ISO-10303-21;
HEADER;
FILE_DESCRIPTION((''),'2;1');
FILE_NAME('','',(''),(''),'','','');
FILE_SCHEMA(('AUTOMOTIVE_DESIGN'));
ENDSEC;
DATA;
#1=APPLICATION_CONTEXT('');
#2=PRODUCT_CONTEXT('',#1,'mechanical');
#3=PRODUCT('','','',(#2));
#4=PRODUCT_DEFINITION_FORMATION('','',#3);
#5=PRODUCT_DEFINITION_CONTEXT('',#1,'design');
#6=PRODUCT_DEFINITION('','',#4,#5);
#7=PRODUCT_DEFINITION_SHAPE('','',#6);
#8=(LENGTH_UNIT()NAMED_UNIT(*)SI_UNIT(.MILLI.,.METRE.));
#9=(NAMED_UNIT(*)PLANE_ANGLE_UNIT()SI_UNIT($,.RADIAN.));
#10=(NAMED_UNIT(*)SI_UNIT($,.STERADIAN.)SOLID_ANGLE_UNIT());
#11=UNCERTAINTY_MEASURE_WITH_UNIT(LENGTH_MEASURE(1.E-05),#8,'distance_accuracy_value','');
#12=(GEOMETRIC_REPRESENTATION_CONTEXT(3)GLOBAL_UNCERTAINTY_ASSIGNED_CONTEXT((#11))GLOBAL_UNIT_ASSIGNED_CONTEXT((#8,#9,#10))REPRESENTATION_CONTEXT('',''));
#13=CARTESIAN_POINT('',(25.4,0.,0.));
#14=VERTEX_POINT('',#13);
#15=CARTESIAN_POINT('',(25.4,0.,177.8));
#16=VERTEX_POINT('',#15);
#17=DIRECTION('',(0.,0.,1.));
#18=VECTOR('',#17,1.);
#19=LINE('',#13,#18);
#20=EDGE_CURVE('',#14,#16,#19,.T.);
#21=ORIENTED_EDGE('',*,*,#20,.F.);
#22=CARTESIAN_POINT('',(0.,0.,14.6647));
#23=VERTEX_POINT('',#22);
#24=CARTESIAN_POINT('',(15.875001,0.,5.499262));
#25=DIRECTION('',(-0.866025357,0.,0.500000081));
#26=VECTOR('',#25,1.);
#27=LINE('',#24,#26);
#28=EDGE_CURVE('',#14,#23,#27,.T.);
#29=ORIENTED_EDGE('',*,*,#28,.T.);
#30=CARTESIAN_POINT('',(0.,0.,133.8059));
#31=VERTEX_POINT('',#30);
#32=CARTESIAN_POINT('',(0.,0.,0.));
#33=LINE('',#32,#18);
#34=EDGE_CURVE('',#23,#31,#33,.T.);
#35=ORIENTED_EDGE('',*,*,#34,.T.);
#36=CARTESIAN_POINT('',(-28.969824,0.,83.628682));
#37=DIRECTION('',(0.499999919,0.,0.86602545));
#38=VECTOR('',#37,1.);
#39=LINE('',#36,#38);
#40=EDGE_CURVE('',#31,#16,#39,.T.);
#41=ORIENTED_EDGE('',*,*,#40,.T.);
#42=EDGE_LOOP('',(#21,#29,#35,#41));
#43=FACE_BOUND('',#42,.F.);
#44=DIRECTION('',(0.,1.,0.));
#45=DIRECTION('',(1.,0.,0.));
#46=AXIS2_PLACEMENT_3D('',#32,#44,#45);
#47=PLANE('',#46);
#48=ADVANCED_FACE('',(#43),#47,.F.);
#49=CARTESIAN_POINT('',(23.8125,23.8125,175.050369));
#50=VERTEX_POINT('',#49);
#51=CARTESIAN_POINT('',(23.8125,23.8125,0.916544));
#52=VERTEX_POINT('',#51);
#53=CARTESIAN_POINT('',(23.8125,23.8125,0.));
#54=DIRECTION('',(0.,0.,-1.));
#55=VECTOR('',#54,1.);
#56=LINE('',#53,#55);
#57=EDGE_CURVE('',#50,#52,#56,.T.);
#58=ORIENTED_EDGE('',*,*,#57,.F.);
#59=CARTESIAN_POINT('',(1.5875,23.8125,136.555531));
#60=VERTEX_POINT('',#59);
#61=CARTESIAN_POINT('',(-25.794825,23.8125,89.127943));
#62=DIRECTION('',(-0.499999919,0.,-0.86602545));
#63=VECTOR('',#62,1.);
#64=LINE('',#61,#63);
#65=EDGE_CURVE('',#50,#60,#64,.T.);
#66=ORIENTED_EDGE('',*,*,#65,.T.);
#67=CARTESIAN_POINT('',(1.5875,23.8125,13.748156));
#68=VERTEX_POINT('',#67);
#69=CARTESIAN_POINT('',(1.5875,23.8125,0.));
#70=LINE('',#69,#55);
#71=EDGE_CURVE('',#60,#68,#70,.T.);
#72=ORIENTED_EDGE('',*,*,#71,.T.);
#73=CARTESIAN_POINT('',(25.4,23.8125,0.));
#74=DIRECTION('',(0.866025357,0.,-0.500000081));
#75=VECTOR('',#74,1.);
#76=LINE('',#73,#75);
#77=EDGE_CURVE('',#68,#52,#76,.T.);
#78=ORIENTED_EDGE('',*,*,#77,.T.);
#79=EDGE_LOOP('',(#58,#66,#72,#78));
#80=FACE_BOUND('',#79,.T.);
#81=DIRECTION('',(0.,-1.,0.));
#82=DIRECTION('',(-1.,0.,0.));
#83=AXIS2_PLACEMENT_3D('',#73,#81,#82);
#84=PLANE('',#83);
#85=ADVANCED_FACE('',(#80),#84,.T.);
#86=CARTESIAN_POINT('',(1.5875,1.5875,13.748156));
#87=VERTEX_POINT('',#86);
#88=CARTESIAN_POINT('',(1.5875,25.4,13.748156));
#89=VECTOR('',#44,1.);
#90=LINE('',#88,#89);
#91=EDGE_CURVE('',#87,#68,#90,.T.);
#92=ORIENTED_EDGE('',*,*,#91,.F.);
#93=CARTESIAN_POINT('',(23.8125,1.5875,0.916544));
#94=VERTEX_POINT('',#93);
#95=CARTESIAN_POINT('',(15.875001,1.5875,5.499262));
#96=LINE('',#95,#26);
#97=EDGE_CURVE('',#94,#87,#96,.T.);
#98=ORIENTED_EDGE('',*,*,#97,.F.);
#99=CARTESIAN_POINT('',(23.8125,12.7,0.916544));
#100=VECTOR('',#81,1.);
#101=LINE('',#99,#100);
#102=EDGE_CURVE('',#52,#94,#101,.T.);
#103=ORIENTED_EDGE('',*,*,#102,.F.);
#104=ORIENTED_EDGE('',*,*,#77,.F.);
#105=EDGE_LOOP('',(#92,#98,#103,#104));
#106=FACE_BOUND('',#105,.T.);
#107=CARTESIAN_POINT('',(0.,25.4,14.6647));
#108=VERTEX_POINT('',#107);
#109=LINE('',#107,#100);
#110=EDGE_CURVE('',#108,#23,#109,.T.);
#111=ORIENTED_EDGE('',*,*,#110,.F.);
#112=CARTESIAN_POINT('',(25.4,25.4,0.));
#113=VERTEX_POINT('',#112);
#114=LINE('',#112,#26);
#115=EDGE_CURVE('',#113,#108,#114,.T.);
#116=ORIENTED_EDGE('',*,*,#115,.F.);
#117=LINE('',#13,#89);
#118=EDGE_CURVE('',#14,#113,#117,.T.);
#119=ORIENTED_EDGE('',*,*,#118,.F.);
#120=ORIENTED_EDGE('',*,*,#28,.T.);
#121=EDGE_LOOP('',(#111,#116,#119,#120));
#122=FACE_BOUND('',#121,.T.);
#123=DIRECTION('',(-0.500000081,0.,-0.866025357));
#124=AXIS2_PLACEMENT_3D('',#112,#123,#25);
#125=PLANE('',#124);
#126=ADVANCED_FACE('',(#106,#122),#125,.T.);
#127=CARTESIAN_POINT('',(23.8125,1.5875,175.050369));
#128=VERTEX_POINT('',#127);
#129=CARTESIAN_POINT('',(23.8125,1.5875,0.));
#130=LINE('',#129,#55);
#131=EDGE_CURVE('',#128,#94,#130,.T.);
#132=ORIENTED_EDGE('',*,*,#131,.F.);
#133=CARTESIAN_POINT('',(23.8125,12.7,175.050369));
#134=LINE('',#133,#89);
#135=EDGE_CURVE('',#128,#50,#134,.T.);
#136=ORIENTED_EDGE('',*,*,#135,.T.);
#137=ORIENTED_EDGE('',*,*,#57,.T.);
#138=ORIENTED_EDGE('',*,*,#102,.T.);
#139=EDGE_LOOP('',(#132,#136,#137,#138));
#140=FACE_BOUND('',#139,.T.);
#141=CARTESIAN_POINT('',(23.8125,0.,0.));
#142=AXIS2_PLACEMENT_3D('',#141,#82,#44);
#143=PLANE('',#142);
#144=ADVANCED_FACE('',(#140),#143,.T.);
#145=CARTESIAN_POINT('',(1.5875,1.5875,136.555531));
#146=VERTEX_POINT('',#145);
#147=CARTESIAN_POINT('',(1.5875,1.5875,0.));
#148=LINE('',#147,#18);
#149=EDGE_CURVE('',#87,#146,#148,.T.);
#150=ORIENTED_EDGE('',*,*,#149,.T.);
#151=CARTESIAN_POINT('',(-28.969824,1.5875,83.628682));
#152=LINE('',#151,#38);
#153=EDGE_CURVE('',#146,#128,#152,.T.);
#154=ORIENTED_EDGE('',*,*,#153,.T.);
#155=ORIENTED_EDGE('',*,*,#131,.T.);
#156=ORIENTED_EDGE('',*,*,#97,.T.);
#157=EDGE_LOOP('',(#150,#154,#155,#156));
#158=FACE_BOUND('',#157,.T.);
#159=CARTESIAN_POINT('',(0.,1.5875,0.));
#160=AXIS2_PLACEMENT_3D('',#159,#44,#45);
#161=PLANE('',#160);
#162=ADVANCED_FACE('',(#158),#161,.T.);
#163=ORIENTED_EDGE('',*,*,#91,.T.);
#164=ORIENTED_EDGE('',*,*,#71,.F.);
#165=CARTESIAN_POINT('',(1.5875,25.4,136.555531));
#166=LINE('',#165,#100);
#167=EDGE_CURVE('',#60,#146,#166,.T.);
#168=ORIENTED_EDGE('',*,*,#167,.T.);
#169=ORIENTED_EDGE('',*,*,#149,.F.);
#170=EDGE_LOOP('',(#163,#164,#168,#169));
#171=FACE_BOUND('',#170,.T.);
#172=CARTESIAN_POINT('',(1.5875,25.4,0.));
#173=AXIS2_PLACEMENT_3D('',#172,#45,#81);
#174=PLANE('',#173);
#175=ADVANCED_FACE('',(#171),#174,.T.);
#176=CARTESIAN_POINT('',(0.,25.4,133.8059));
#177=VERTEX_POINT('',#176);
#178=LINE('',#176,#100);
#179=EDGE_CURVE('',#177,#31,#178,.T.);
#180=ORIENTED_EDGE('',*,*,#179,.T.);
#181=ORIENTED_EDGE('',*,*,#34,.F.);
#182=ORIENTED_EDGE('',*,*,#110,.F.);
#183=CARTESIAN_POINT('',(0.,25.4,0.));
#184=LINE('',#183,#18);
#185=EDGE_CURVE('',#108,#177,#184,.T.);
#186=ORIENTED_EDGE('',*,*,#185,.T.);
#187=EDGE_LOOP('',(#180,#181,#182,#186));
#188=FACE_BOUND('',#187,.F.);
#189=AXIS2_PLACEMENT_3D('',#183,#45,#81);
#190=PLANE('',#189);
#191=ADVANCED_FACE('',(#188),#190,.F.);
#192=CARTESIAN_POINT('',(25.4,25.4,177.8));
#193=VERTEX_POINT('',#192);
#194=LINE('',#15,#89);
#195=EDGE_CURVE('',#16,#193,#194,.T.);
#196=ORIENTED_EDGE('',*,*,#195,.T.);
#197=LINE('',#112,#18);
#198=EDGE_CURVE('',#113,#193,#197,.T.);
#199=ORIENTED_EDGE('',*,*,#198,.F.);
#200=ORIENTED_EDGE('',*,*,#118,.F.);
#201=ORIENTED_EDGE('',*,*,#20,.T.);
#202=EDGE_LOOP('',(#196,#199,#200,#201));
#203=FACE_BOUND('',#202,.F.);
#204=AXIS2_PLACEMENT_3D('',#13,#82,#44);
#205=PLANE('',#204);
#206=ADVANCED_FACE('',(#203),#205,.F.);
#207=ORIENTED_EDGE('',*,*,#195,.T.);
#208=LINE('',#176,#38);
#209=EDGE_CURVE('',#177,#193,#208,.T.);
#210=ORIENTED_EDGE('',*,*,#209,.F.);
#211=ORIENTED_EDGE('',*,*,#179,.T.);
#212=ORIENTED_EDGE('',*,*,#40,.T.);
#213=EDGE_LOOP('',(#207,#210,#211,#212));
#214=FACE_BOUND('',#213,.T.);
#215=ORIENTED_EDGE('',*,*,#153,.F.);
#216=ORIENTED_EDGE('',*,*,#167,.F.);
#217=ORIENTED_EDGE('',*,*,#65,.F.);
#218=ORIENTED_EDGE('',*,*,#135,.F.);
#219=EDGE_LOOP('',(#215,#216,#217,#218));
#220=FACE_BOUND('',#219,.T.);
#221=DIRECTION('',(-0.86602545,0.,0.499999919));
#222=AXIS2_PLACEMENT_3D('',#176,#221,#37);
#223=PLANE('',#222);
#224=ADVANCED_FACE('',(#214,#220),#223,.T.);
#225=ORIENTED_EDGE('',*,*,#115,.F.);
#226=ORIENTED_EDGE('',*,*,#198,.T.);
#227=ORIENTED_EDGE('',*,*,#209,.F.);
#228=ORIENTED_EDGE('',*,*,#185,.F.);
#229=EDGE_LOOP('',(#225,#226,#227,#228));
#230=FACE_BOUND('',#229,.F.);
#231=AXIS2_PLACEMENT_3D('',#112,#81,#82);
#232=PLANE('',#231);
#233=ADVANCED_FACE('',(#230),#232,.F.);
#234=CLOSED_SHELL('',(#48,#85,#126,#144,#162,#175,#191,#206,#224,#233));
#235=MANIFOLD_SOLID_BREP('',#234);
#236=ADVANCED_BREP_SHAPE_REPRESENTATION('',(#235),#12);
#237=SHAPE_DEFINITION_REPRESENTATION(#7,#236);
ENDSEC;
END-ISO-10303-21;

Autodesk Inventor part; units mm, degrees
ref_plane "YZ Plane" through (0, 0, 0) normal (1, 0, 0) x (0, 1, 0)
ref_plane "XZ Plane" through (0, 0, 0) normal (0, 1, 0) x (-1, 0, 0)
ref_plane "XY Plane" through (0, 0, 0) normal (0, 0, 1) x (1, 0, 0)
sketch "Sketch1" plane through (0, 0, 0) normal (0, 0, 1) x (1, 0, 0)
  line L0 (0, 0) -> (25.4, 0)
  line L1 (25.4, 0) -> (25.4, 25.4)
  line L2 (25.4, 25.4) -> (0, 25.4)
  line L3 (0, 25.4) -> (0, 0)
  dimension "d0" = 25.4
  dimension "d1" = 25.4
extrude "Extrusion1" add sketch "Sketch1" along normal blind 177.8
shell "Shell1" thickness 1.5875 removed faces 2 at (8.4667, 16.9333, 0) at (8.4667, 16.9333, 177.8)
sketch "Sketch2" plane through (0, 25.4, 0) normal (0, 1, 0) x (1, 0, 0)
  line L0 (0, -177.8) -> (25.4, -177.8) projected
  line L1 (25.4, 0) -> (0, 0) projected
  line L2 (0, 0) -> (0, -177.8) projected
  line L3 (0, 0) -> (0, -14.6647)
  line L4 (25.4, 0) -> (0, -14.6647)
  line L5 (0, 0) -> (25.4, 0)
  line L6 (0, -133.8059) -> (0, -177.8)
  line L7 (0, -177.8) -> (25.4, -177.8)
  line L8 (0, -133.8059) -> (25.4, -177.8)
  dimension "d5" = 60
  dimension "d6" = 30
extrude "Extrusion2" cut sketch "Sketch2" against normal through all
properties part number "Frame_FrontAngle" material "Aluminum-6061"
